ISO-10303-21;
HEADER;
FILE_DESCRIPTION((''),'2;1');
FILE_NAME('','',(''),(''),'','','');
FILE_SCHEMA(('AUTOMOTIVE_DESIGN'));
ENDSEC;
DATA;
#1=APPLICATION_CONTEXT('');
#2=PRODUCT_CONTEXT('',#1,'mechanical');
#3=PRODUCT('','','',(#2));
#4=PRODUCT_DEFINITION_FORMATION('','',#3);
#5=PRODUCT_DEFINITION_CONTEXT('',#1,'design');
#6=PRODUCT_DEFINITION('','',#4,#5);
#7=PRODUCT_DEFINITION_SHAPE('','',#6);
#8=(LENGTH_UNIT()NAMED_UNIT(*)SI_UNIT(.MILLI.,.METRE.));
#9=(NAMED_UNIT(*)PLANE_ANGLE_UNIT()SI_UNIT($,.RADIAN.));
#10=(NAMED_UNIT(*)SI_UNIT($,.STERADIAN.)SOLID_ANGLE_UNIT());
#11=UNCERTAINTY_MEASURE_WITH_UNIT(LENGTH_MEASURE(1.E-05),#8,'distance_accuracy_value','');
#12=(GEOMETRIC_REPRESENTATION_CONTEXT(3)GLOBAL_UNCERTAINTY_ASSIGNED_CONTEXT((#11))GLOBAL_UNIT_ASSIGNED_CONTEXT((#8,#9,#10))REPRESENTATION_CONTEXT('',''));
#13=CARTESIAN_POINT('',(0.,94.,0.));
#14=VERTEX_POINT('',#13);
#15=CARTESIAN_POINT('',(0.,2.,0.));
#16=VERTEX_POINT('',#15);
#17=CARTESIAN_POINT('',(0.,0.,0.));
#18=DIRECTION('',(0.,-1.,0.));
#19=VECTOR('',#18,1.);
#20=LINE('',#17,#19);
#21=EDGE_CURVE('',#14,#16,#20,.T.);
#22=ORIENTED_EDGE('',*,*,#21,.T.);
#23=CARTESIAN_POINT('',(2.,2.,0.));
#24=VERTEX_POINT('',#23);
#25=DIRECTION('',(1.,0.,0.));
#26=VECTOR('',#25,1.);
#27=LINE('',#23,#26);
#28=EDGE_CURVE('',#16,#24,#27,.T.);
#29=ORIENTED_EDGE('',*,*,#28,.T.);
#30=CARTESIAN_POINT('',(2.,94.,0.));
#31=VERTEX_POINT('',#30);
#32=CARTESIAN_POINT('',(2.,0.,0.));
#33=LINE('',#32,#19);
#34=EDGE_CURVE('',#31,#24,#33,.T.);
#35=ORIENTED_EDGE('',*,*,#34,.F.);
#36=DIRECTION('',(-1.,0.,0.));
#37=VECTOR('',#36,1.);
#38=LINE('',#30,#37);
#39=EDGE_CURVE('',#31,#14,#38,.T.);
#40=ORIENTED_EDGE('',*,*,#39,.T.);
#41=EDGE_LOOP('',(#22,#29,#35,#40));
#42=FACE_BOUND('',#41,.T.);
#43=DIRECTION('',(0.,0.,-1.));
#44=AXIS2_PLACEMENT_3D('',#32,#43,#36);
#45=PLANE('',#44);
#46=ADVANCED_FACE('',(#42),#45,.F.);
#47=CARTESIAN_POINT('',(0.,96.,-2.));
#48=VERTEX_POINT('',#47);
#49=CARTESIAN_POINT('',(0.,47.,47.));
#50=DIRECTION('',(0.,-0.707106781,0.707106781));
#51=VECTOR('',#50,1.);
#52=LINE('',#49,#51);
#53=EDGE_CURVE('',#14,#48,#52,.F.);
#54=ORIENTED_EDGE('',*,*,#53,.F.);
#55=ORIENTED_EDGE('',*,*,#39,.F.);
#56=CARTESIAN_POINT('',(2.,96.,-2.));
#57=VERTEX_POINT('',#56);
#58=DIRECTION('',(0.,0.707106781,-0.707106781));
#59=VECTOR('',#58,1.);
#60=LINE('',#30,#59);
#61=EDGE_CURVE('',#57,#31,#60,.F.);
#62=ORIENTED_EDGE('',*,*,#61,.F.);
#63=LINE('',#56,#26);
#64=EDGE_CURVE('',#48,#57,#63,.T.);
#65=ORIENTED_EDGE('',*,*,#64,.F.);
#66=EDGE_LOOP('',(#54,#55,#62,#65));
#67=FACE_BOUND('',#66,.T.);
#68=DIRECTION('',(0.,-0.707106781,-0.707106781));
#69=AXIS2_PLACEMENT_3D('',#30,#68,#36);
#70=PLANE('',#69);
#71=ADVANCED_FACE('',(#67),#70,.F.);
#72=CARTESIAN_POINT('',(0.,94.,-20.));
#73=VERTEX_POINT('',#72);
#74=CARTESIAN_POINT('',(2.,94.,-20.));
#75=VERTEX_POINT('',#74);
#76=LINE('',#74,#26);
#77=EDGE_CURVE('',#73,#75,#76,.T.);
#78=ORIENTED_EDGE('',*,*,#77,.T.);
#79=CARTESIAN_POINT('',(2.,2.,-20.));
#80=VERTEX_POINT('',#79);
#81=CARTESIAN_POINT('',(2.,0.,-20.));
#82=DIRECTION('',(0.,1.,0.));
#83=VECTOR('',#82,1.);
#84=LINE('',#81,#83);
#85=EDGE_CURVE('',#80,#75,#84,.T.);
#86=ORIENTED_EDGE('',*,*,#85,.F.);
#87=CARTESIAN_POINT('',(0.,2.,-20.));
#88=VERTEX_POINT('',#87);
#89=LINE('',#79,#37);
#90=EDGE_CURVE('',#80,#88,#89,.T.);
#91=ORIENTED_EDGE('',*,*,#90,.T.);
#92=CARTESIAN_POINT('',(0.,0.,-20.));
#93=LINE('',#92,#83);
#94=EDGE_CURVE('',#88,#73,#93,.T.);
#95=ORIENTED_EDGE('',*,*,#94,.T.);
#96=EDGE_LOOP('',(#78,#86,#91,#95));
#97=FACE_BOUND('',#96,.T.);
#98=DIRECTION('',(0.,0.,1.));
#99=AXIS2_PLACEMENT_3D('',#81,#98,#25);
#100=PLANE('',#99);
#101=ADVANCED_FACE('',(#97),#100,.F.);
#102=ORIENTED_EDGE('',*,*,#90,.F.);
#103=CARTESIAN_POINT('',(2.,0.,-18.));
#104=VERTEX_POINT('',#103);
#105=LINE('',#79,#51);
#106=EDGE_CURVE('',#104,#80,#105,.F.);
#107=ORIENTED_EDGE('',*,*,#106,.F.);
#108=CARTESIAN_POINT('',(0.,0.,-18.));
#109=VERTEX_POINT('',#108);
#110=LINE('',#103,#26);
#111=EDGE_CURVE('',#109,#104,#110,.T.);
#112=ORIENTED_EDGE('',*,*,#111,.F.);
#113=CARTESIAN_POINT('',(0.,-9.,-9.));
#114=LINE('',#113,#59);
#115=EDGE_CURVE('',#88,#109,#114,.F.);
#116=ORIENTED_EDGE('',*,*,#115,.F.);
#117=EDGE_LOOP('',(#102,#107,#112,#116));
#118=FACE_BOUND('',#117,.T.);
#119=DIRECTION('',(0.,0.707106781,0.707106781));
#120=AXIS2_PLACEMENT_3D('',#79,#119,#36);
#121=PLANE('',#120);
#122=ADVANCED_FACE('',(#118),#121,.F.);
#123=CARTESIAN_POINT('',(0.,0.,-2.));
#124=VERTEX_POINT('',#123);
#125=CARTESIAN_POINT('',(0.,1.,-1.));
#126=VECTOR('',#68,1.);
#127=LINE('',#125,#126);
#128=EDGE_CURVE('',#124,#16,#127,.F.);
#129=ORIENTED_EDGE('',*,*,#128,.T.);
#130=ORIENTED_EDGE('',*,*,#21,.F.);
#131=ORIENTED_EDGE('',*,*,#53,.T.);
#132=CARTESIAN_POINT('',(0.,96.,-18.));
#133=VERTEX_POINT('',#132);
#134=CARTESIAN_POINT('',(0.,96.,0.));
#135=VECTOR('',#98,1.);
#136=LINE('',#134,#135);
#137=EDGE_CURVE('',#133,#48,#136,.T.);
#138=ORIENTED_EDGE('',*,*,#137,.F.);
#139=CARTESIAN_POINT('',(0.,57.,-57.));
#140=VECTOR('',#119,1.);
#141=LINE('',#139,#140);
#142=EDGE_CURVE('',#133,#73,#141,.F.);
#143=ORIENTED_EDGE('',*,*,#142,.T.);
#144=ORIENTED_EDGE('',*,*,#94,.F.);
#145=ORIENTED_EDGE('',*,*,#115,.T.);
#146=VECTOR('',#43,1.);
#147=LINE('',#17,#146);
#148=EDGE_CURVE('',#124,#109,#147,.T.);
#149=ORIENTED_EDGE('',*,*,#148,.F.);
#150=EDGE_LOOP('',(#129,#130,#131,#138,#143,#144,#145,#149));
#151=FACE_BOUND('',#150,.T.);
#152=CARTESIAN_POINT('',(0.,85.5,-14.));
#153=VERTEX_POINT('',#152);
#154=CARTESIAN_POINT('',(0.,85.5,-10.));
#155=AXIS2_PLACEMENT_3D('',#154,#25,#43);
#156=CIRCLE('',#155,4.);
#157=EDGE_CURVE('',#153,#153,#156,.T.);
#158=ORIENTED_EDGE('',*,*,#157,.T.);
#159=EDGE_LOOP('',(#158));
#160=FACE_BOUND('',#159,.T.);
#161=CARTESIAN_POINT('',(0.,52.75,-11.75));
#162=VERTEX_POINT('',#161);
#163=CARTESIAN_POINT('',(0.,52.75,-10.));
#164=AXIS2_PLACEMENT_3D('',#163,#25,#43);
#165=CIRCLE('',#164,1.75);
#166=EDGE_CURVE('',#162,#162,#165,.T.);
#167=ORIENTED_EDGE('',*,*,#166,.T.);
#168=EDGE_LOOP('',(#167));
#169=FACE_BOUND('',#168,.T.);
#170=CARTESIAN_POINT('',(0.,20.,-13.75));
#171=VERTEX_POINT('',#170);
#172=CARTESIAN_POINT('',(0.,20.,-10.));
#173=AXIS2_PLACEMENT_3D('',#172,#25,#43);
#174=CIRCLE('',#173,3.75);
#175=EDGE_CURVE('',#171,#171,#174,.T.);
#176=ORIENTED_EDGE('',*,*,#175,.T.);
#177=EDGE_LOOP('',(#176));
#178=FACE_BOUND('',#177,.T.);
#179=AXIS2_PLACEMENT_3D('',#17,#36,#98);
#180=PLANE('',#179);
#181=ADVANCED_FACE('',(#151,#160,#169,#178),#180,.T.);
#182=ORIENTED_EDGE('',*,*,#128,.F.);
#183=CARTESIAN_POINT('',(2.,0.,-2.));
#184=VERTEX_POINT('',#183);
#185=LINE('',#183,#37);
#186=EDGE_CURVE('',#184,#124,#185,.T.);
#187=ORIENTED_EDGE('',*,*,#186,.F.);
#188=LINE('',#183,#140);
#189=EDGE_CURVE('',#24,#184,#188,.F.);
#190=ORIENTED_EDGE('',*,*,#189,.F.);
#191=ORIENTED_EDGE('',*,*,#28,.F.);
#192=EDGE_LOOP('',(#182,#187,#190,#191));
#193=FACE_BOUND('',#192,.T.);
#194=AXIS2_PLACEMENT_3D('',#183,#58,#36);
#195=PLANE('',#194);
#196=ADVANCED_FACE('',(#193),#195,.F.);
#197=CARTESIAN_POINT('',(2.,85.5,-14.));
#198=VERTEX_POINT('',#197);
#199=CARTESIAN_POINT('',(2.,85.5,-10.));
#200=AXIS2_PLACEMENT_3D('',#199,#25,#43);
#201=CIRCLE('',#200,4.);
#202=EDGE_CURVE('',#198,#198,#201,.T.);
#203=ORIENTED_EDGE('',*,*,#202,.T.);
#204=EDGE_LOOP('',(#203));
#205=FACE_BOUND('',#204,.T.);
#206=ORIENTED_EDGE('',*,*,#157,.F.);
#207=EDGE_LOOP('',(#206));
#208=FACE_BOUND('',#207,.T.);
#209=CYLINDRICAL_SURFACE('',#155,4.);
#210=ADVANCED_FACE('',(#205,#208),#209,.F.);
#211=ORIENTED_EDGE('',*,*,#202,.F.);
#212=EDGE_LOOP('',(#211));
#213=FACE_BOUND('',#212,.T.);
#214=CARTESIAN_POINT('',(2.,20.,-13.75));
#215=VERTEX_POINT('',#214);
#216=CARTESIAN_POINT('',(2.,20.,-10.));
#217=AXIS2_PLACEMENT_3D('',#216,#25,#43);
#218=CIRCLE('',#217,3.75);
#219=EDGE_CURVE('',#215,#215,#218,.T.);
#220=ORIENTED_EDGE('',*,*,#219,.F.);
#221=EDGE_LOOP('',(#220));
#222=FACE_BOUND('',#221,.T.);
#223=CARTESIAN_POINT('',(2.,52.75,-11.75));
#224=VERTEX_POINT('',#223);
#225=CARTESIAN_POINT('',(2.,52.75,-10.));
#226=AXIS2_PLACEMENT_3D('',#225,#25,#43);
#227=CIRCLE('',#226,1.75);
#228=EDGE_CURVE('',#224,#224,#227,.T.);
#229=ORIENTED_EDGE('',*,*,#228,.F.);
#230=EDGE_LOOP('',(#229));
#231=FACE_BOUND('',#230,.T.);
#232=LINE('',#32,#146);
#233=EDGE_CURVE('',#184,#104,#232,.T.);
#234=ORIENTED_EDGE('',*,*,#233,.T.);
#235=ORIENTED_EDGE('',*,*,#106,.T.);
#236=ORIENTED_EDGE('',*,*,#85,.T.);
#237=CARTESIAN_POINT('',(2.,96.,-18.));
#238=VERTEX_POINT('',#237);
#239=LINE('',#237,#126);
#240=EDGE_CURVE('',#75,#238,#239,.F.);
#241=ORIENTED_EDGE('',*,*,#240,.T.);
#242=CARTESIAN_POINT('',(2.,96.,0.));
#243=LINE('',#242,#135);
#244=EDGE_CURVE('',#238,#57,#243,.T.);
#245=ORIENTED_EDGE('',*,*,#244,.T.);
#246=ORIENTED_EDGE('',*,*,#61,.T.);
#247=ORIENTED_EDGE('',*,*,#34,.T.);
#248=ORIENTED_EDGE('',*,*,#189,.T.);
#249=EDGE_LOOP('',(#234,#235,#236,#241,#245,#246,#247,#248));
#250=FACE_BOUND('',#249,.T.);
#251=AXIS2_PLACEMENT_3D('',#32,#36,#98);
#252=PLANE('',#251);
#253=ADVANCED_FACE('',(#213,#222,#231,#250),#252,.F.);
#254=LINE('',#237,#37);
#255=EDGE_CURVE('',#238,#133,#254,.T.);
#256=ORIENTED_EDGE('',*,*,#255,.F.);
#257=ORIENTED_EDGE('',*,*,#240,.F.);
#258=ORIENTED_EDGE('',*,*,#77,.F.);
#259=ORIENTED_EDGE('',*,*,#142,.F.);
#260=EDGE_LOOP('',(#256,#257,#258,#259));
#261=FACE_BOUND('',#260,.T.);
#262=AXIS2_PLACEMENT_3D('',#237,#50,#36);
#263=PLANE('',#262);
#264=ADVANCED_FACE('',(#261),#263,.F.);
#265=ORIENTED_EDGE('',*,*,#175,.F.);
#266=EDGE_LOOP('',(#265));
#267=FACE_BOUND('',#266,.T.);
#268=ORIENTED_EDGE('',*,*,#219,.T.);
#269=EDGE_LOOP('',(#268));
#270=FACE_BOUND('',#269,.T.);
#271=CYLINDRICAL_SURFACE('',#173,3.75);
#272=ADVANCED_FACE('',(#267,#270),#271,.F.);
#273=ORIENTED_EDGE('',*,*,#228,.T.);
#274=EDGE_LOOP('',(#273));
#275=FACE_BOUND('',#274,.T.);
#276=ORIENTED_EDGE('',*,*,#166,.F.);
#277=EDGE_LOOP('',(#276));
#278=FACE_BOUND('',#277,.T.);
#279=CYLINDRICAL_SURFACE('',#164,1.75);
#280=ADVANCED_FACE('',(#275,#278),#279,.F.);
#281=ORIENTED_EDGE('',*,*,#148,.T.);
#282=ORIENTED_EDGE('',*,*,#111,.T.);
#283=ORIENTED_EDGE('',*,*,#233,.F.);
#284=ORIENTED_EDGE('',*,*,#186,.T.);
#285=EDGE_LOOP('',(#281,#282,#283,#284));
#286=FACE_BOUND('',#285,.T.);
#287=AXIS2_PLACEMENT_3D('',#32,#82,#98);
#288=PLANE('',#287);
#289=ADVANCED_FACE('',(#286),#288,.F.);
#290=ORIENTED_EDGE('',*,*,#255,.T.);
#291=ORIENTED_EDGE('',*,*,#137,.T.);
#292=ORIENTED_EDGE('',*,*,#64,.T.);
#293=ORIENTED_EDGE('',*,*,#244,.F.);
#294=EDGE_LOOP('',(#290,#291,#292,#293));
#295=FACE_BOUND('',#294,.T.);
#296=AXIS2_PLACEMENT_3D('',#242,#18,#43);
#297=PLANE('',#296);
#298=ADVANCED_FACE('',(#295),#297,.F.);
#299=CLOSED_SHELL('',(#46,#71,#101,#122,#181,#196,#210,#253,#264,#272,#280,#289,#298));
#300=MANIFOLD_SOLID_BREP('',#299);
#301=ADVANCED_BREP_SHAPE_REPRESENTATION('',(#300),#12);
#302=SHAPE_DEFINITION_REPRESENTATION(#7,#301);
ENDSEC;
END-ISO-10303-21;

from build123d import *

# Parameters (mm, degrees)
SKETCH1_W           = 20
SKETCH1_H           = 96
BOSS_EXTRUDE1_DEPTH = 2
SKETCH2_R           = 4
SKETCH2_R_2         = 1.75
SKETCH2_R_3         = 3.75
CUT_EXTRUDE1_DEPTH  = 99.081598682
CHAMFER1_SIZE       = 2


with BuildPart() as part:
    # Sketch1 → Boss-Extrude1 (new body)
    with BuildSketch(Plane(origin=(0, 0, 0), x_dir=(0, 0, -1), z_dir=(1, 0, 0))):
        with Locations((10, 48)):
            Rectangle(SKETCH1_W, SKETCH1_H)
    extrude(amount=BOSS_EXTRUDE1_DEPTH)

    # Sketch2 → Cut-Extrude1 (cut, through all)
    with BuildSketch(Plane(origin=(2, 0, 0), x_dir=(0, 0, -1), z_dir=(1, 0, 0))):
        with Locations((10, 85.5)):
            Circle(SKETCH2_R)
        with Locations((10, 52.75)):
            Circle(SKETCH2_R_2)
        with Locations((10, 20)):
            Circle(SKETCH2_R_3)
    extrude(amount=-CUT_EXTRUDE1_DEPTH, mode=Mode.SUBTRACT)

    # Chamfer1
    chamfer1_edges = [part.edges().sort_by_distance(p)[0] for p in [
        (1, 96, 0),
        (1, 96, -20),
        (1, 0, -20),
        (1, 0, 0),
    ]]
    chamfer(chamfer1_edges, length=CHAMFER1_SIZE)


solid = part.part
